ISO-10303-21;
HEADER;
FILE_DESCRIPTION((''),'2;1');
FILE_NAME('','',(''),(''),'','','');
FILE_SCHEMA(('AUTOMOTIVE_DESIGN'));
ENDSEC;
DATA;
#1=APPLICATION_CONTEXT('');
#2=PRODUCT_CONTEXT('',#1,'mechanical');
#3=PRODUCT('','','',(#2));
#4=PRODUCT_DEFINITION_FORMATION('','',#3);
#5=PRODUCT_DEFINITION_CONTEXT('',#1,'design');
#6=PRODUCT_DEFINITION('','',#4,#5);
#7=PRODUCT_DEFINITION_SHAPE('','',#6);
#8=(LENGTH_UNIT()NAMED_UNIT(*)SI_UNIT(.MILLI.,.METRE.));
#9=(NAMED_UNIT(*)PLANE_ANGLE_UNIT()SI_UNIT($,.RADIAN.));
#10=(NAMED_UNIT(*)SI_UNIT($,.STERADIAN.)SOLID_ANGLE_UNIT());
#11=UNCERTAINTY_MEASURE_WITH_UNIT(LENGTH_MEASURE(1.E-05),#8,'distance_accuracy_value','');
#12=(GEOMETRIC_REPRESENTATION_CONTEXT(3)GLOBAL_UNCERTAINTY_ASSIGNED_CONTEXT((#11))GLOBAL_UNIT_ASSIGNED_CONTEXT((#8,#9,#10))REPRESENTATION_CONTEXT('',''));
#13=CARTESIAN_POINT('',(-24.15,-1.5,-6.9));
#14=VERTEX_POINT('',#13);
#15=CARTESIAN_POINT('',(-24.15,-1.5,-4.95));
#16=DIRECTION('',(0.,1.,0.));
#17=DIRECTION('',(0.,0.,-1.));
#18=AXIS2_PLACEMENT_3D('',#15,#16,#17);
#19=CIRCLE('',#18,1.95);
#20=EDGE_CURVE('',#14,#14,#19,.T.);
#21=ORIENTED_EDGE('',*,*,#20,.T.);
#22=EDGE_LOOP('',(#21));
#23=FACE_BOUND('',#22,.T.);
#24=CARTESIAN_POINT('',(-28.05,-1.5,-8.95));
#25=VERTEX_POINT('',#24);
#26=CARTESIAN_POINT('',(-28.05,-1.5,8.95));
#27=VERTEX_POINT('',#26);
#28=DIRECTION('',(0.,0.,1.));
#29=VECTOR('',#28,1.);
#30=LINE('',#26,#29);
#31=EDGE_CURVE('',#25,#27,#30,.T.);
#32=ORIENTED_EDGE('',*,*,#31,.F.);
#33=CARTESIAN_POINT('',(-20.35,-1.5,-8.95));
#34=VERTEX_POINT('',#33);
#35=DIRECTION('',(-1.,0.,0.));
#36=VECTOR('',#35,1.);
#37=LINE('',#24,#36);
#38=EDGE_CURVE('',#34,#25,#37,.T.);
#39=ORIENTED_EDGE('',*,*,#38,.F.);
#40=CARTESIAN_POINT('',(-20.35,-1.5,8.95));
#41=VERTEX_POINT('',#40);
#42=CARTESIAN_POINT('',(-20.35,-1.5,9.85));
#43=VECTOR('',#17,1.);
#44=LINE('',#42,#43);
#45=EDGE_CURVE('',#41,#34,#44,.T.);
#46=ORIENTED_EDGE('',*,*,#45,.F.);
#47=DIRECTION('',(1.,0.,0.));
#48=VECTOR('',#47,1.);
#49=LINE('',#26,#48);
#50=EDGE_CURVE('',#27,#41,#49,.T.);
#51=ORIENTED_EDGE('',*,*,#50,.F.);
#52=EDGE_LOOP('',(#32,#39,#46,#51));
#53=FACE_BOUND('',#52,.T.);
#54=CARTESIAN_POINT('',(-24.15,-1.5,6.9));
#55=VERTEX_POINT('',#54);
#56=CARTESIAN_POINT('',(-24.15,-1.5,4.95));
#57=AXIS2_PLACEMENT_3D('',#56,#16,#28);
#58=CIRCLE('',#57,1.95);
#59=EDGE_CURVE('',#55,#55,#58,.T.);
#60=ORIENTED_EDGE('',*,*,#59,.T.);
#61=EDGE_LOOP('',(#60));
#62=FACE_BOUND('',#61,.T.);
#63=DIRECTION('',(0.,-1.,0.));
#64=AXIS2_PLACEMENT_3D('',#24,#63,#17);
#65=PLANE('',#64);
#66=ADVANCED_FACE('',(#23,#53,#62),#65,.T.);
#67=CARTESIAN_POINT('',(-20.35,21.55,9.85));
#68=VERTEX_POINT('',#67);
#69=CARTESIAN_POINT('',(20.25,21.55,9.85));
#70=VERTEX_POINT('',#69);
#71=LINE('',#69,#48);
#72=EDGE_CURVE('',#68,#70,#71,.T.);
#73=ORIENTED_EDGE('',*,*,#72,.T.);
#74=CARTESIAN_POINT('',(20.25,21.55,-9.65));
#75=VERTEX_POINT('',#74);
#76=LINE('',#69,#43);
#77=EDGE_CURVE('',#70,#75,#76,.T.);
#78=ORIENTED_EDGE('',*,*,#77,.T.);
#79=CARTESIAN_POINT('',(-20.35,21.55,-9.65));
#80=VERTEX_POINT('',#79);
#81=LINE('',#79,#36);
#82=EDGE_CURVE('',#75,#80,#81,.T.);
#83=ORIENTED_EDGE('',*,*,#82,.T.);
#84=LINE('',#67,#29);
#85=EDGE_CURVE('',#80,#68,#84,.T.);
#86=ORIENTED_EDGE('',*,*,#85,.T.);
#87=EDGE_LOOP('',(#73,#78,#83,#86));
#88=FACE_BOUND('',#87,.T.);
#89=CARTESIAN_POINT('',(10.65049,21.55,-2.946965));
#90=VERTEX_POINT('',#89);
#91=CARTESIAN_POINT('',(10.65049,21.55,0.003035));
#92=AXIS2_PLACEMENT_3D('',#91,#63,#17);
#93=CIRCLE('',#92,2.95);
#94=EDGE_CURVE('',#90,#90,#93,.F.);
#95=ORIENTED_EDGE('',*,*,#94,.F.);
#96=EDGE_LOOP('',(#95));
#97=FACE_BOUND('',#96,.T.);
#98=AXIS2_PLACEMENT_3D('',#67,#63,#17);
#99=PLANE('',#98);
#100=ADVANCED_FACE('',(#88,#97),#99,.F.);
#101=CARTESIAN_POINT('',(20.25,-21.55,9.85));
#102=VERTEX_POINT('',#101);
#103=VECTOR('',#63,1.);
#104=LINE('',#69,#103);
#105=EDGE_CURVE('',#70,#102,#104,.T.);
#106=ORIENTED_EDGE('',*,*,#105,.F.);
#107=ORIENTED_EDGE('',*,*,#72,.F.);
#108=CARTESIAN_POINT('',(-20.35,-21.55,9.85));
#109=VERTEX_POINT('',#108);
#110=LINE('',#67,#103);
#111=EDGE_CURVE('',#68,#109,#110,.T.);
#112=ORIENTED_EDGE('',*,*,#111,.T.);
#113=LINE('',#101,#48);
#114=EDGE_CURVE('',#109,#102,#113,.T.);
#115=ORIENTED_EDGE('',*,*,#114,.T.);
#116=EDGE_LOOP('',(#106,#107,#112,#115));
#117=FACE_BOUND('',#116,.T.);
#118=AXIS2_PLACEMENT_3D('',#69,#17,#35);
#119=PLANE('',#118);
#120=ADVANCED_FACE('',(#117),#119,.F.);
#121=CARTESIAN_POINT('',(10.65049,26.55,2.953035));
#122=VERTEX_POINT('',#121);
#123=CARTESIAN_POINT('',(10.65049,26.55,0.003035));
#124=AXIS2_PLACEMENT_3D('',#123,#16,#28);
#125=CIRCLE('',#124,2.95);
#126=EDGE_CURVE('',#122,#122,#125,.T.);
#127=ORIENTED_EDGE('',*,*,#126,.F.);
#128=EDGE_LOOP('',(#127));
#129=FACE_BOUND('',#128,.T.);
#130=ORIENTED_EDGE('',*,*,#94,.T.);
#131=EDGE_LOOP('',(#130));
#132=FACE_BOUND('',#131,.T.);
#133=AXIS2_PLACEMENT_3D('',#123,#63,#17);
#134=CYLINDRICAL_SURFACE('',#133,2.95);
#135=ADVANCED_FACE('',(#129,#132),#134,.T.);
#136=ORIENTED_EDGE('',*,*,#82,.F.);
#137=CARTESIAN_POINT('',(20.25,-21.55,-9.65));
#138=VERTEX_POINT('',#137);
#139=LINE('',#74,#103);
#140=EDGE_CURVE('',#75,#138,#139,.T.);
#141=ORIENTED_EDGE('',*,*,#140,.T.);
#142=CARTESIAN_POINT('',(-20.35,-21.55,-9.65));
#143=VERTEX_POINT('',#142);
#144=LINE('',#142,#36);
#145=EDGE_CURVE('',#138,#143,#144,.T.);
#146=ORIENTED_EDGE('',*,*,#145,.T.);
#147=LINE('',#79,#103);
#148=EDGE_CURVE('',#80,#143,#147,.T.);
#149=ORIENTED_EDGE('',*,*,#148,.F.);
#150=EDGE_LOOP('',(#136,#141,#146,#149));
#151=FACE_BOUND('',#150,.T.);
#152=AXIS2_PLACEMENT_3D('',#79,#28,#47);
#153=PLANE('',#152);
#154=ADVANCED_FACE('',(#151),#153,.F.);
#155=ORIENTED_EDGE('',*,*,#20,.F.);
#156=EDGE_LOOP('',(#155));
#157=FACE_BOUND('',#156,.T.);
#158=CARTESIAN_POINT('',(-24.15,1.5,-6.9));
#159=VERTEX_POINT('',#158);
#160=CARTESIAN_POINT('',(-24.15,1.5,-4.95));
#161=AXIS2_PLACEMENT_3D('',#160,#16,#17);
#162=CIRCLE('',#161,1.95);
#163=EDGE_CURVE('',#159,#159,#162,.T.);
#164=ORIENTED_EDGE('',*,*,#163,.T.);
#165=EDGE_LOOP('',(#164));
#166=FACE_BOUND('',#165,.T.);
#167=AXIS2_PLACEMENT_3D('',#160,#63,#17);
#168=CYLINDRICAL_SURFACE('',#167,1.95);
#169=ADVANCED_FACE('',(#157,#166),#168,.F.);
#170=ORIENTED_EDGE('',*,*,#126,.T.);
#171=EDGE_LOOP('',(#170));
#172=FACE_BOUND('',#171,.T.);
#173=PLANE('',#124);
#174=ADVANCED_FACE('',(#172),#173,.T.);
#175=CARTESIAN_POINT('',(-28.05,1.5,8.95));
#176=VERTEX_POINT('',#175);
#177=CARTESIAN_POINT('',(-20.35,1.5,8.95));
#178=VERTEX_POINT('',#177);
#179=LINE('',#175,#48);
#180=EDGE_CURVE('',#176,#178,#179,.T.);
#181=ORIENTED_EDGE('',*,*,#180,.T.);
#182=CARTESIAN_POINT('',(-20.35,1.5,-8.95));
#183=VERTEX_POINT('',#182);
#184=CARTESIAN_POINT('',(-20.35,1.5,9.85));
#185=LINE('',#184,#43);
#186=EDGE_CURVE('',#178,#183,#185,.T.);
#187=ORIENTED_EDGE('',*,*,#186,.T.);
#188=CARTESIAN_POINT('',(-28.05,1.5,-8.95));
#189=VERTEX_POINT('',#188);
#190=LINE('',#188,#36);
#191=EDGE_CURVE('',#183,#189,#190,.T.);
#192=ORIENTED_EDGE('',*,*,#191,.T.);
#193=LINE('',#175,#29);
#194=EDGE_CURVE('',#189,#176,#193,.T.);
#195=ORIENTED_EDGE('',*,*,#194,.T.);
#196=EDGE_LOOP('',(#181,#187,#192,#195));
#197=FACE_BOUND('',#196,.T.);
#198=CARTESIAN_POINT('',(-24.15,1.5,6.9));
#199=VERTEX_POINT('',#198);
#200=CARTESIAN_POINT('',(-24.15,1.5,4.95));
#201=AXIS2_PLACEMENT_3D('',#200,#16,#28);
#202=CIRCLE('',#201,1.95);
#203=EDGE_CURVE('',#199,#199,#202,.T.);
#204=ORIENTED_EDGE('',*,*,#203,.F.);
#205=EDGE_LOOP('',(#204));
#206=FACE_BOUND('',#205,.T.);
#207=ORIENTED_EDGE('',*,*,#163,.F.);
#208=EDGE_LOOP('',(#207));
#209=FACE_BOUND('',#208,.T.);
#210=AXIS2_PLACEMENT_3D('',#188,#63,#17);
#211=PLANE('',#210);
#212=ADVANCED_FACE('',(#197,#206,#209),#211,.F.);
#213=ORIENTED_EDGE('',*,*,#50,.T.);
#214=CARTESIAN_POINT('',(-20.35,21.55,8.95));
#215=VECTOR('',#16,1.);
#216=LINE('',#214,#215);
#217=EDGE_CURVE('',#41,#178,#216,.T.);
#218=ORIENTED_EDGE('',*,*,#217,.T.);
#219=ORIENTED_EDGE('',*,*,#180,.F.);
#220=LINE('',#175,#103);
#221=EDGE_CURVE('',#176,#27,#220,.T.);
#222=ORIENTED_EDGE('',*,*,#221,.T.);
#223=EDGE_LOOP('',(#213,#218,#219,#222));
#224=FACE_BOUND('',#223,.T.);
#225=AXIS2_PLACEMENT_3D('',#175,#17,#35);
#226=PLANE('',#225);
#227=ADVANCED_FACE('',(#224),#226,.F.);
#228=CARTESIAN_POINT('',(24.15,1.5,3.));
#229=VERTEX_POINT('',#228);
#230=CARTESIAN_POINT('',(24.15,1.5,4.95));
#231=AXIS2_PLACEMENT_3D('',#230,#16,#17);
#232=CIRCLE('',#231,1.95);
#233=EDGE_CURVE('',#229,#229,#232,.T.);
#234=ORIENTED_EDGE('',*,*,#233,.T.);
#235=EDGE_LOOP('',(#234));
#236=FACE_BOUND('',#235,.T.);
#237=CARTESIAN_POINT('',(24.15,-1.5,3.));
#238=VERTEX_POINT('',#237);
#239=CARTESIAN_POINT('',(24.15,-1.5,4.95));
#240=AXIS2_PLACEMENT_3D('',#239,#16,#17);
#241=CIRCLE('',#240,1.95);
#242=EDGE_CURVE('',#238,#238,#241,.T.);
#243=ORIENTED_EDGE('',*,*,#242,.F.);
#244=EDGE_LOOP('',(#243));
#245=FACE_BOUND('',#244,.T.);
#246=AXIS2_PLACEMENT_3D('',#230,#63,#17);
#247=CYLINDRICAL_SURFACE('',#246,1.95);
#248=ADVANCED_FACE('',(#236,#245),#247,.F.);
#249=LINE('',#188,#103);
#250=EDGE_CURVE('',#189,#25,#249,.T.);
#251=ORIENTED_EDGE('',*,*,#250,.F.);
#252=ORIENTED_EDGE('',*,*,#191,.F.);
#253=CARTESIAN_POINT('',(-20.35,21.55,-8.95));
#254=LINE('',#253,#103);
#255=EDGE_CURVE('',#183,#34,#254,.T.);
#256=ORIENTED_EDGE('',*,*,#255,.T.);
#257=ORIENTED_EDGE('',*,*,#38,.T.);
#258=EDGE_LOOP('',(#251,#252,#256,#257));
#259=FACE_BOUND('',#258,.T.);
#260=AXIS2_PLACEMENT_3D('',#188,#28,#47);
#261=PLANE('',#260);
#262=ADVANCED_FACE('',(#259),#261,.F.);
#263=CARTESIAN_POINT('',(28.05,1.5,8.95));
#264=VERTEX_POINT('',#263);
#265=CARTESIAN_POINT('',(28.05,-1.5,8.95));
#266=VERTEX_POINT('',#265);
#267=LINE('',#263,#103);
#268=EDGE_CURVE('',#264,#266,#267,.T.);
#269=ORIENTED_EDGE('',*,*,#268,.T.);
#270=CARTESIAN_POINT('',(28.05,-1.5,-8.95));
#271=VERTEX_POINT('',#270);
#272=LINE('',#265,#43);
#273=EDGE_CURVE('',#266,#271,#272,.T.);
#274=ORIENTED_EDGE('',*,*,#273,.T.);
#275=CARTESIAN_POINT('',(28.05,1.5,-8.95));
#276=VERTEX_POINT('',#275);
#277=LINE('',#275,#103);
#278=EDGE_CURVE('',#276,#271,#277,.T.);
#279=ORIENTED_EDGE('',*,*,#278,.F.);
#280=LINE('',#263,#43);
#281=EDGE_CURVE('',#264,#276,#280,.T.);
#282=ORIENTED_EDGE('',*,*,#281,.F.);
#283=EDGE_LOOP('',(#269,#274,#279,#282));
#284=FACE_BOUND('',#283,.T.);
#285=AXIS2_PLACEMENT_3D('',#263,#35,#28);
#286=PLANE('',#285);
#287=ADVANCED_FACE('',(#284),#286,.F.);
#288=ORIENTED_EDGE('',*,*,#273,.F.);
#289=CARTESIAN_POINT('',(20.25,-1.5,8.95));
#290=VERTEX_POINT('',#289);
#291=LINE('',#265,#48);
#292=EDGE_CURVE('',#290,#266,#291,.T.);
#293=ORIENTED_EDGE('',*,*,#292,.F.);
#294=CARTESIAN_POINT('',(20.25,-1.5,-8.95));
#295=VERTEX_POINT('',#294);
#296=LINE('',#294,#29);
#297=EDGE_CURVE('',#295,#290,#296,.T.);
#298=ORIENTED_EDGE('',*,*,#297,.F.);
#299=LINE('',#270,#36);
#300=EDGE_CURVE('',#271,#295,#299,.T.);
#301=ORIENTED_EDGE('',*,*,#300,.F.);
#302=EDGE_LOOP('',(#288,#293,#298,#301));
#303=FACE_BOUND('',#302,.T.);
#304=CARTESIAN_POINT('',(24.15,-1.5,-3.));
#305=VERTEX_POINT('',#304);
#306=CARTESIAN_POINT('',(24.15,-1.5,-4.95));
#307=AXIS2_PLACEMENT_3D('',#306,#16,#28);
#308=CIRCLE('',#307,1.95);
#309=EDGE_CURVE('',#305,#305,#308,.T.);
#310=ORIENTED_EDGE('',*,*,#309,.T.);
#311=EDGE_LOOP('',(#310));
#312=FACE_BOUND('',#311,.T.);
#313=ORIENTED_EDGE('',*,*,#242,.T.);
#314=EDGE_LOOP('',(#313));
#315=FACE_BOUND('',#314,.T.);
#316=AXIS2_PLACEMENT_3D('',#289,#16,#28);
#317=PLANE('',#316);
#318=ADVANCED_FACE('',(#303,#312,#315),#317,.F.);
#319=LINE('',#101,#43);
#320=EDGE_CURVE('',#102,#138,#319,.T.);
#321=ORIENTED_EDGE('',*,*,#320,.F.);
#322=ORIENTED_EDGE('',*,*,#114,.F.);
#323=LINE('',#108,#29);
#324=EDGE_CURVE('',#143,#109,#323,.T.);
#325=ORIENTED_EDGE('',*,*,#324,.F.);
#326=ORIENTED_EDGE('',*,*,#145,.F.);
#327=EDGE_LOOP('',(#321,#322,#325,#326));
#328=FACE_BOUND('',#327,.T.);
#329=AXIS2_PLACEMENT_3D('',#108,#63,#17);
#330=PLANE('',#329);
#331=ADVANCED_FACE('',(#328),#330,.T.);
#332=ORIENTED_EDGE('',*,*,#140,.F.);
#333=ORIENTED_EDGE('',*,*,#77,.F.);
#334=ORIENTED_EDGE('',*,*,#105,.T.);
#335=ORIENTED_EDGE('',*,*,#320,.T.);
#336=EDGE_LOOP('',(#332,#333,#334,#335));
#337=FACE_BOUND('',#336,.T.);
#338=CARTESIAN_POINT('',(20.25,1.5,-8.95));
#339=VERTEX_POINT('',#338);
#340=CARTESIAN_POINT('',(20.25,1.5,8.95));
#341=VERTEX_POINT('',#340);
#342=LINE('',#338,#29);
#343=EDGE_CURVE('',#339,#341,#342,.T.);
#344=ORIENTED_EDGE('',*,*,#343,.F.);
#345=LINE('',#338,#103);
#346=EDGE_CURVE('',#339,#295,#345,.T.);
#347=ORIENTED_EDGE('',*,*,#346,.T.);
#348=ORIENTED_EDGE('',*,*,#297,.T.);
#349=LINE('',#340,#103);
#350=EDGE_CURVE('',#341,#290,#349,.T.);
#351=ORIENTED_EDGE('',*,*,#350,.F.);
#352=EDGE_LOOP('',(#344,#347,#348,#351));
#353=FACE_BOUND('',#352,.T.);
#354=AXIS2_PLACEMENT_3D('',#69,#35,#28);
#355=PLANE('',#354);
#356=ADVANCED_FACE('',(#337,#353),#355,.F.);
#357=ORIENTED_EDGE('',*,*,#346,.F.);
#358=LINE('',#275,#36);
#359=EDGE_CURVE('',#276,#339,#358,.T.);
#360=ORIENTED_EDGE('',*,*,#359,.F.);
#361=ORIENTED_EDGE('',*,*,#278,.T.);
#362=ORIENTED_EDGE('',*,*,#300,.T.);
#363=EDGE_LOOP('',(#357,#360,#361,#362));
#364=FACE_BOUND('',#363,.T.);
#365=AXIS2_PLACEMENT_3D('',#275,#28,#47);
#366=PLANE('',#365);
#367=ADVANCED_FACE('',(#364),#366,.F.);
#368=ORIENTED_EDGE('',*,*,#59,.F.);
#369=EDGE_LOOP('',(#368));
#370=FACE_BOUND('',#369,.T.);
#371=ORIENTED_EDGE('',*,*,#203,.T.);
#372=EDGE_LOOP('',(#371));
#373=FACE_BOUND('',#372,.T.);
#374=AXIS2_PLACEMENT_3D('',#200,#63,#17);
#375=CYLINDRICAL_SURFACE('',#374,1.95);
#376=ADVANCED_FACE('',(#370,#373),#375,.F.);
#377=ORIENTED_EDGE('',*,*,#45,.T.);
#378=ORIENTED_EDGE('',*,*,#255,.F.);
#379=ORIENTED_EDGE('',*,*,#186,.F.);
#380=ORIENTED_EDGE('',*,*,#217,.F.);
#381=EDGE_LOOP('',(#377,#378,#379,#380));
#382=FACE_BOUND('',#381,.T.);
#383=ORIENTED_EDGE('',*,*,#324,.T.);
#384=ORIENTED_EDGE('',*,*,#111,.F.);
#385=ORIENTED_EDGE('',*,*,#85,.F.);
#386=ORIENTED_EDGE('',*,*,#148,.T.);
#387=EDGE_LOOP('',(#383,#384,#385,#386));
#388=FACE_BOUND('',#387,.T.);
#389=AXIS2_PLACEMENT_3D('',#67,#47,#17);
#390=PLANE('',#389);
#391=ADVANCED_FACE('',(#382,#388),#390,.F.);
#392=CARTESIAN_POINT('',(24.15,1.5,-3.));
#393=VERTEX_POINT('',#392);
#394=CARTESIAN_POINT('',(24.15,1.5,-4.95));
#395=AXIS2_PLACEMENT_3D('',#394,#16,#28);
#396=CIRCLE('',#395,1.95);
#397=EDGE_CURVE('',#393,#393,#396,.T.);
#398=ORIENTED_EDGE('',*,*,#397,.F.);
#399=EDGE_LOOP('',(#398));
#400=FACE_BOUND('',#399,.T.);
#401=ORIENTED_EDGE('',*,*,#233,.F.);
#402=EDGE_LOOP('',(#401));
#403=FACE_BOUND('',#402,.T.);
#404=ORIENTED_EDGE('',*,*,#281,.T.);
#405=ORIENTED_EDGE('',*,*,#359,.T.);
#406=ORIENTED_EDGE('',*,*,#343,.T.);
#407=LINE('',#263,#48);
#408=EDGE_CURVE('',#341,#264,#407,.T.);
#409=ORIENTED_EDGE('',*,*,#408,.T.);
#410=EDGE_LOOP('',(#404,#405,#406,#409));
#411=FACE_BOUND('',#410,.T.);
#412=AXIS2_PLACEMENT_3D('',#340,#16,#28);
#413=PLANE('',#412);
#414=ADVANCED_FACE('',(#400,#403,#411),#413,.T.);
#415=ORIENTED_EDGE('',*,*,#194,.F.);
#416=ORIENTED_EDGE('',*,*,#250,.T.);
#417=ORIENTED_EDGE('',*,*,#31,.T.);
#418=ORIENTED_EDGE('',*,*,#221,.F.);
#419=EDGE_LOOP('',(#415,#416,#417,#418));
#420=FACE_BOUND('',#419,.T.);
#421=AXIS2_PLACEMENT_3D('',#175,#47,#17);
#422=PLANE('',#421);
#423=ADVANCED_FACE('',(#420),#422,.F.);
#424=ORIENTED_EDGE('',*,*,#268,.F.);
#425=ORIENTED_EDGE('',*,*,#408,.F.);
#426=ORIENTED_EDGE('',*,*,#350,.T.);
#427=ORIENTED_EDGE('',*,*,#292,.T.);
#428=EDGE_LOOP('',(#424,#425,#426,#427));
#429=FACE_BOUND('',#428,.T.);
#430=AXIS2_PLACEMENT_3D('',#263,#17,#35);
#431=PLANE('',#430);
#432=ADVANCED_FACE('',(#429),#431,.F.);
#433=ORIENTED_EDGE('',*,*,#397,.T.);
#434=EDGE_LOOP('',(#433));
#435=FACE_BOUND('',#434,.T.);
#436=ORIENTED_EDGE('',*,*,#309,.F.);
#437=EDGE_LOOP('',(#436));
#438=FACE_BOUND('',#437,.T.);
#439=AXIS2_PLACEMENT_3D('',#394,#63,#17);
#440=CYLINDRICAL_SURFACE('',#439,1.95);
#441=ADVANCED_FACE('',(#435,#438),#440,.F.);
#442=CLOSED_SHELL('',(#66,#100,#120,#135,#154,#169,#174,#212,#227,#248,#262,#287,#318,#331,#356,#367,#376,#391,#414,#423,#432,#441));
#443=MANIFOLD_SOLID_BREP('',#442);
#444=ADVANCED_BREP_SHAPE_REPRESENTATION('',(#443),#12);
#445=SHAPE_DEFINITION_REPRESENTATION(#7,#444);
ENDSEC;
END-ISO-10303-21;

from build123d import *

# Parameters (mm, degrees)
CROQUIS1_W              = 40.6
CROQUIS1_H              = 19.5
EXTRUIR1_DEPTH          = 21.55
CROQUIS2_R              = 2.95
EXTRUIR2_DEPTH          = 5
CROQUIS4_W              = 7.8
CROQUIS4_H              = 17.9
CROQUIS4_R              = 1.95
SALIENTE_EXTRUIR1_DEPTH = 1.5


with BuildPart() as part:
    # Croquis1 → Extruir1 (new, symmetric)
    with BuildSketch(Plane(origin=(0, 0, 0), x_dir=(1, 0, 0), z_dir=(0, 1, 0))):
        with Locations((-0.05, -0.1)):
            Rectangle(CROQUIS1_W, CROQUIS1_H)
    extrude(amount=EXTRUIR1_DEPTH, both=True)

    # Croquis2 → Extruir2 (add)
    with BuildSketch(Plane(origin=(0, 21.55, 0), x_dir=(1, 0, 0), z_dir=(0, 1, 0))):
        with Locations(Location((10.650489708, -0.00303525, 0), (0, 0, 90))):
            Circle(CROQUIS2_R)
    extrude(amount=EXTRUIR2_DEPTH)

    # Croquis4 → Saliente-Extruir1 (add, symmetric)
    # profile 1 of 2: a face of its own
    with BuildSketch(Plane(origin=(0, 0, 0), x_dir=(-1, 0, 0), z_dir=(0, 1, 0))):
        with Locations((-24.15, 0)):
            Rectangle(CROQUIS4_W, CROQUIS4_H)
        with Locations(Location((-24.15, -4.95, 0), (0, 0, 90))):
            Circle(CROQUIS4_R, mode=Mode.SUBTRACT)
        with Locations(Location((-24.15, 4.95, 0), (0, 0, 270))):
            Circle(CROQUIS4_R, mode=Mode.SUBTRACT)
    # profile 2 of 2: a face of its own
    with BuildSketch(Plane(origin=(0, 0, 0), x_dir=(-1, 0, 0), z_dir=(0, 1, 0))):
        with Locations((24.15, 0)):
            Rectangle(CROQUIS4_W, CROQUIS4_H)
        with Locations(Location((24.15, -4.95, 0), (0, 0, 270))):
            Circle(CROQUIS4_R, mode=Mode.SUBTRACT)
        with Locations(Location((24.15, 4.95, 0), (0, 0, 90))):
            Circle(CROQUIS4_R, mode=Mode.SUBTRACT)
    extrude(amount=SALIENTE_EXTRUIR1_DEPTH, both=True)


solid = part.part
